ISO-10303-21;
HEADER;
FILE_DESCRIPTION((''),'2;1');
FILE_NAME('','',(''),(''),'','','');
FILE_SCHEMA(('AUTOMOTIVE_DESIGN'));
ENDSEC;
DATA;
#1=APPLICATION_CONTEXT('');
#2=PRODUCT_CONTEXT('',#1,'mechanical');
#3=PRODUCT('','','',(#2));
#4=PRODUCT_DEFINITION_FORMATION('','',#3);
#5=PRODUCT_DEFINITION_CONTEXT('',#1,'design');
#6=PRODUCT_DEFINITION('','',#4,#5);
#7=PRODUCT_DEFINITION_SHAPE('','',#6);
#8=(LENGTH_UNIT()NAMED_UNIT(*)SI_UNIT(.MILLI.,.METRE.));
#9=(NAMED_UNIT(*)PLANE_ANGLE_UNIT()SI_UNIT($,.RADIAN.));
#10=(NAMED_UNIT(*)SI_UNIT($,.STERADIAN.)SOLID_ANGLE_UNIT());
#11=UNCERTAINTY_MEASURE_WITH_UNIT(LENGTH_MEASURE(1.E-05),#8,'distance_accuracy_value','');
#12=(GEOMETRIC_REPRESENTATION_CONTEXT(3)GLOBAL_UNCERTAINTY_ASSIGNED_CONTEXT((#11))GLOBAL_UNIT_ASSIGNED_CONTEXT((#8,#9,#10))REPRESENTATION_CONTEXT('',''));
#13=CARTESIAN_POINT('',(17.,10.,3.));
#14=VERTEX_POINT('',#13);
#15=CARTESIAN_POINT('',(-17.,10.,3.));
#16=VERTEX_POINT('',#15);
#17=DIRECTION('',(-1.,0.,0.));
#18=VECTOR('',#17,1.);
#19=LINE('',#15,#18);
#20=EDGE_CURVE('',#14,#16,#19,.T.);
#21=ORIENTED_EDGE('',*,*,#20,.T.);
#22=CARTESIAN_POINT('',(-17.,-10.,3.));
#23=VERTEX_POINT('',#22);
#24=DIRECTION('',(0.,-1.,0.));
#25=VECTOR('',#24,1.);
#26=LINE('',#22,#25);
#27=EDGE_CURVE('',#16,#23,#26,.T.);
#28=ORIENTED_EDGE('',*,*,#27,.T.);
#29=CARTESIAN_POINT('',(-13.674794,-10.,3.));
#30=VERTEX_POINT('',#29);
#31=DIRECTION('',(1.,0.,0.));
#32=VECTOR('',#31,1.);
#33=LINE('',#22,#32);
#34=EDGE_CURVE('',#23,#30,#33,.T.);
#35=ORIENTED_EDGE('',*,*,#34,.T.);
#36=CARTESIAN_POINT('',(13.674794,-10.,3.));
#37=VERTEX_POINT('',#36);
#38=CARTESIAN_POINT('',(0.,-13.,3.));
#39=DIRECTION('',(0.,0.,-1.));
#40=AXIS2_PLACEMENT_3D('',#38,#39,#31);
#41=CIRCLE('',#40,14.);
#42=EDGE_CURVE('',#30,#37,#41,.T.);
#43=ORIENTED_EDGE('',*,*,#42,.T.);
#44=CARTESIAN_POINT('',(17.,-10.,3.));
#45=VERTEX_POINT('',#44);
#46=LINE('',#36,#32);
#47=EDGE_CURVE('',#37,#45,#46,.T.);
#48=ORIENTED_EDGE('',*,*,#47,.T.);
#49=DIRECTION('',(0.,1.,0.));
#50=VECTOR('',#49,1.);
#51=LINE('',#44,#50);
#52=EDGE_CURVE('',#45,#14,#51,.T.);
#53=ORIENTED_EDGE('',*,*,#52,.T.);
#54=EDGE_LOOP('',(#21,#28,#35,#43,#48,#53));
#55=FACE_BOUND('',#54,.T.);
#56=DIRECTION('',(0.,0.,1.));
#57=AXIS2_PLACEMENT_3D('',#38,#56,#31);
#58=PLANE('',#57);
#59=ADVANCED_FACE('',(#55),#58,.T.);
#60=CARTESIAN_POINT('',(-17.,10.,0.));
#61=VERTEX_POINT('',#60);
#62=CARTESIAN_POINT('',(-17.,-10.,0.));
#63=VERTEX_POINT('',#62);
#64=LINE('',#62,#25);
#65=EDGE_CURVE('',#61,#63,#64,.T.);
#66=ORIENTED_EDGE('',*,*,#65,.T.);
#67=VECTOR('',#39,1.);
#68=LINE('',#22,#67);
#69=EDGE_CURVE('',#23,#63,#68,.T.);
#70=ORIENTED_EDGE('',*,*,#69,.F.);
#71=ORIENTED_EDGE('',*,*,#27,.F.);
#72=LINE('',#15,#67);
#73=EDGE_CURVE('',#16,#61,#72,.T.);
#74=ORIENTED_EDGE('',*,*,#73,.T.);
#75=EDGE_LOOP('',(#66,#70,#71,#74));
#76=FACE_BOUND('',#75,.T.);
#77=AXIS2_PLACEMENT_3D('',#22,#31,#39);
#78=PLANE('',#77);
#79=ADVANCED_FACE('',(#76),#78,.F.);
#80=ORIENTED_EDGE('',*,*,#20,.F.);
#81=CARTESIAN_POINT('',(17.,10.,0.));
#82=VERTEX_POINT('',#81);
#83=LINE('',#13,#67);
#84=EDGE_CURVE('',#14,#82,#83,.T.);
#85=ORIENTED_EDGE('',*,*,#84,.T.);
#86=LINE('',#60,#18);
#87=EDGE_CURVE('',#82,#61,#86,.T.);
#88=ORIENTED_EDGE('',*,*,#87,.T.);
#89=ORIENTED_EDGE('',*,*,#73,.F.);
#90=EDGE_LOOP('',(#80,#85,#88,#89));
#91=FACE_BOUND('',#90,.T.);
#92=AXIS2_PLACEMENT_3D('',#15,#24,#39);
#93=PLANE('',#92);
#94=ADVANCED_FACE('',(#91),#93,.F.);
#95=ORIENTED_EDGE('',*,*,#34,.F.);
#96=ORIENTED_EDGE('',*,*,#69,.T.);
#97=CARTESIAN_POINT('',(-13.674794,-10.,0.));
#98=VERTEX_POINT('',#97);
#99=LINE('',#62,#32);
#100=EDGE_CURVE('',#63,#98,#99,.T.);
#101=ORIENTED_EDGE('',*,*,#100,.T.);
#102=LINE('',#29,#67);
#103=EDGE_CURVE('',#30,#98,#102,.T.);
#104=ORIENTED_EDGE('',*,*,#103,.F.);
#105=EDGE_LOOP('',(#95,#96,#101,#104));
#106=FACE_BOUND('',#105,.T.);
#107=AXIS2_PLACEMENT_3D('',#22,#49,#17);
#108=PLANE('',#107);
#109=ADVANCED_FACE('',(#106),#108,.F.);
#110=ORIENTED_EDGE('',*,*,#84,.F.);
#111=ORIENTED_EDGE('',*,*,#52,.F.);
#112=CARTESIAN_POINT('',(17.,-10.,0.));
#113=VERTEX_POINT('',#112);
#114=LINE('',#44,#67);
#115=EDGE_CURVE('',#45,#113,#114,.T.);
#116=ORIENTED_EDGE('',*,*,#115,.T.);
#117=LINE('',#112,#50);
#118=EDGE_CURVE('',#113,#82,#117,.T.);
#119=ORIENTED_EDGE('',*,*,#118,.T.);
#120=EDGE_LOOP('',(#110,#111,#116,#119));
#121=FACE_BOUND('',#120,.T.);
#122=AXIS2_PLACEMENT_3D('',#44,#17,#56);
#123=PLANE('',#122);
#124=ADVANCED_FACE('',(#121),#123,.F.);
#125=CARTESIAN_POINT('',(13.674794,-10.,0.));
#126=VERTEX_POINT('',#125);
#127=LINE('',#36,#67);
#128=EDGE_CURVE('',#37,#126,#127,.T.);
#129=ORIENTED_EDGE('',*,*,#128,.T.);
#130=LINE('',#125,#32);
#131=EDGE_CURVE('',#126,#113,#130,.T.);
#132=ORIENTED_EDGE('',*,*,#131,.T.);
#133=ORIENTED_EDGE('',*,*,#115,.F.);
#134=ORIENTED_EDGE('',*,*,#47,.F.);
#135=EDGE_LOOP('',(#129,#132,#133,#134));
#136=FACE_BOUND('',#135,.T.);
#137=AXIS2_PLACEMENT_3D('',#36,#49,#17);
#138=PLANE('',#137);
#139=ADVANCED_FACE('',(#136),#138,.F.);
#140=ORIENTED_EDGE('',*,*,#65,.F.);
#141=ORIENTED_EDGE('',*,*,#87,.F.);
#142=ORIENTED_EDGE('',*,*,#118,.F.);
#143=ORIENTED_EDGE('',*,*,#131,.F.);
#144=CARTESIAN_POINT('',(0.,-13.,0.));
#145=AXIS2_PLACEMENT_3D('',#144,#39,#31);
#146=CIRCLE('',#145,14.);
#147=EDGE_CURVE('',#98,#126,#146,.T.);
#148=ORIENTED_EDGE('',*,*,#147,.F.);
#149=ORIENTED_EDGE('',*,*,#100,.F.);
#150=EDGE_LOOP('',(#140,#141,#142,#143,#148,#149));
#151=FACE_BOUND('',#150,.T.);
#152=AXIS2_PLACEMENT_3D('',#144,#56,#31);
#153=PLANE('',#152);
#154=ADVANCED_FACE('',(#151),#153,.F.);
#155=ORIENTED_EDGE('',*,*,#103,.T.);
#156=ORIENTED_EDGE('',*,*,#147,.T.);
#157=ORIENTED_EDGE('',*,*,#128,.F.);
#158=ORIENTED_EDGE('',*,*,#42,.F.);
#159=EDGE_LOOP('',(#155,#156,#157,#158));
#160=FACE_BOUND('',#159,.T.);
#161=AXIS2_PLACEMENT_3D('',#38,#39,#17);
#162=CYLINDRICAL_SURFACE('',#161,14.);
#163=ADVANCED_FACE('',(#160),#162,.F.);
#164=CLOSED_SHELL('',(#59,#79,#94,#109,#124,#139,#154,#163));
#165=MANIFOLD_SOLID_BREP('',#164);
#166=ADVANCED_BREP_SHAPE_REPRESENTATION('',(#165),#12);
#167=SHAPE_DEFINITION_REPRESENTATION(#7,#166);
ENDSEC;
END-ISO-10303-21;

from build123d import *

# Parameters (mm, degrees)
BOSS_EXTRUDE1_DEPTH = 3


with BuildPart() as part:
    # Sketch1 → Boss-Extrude1 (new body)
    with BuildSketch(Plane.XY):
        with BuildLine():
            Line((13.674794331, -10), (17, -10))
            Line((17, -10), (17, 10))
            Line((17, 10), (-17, 10))
            Line((-17, 10), (-17, -10))
            Line((-17, -10), (-13.674794331, -10))
            ThreePointArc((-13.674794331, -10), (0, 1), (13.674794331, -10))
        make_face()
    extrude(amount=BOSS_EXTRUDE1_DEPTH)


solid = part.part
